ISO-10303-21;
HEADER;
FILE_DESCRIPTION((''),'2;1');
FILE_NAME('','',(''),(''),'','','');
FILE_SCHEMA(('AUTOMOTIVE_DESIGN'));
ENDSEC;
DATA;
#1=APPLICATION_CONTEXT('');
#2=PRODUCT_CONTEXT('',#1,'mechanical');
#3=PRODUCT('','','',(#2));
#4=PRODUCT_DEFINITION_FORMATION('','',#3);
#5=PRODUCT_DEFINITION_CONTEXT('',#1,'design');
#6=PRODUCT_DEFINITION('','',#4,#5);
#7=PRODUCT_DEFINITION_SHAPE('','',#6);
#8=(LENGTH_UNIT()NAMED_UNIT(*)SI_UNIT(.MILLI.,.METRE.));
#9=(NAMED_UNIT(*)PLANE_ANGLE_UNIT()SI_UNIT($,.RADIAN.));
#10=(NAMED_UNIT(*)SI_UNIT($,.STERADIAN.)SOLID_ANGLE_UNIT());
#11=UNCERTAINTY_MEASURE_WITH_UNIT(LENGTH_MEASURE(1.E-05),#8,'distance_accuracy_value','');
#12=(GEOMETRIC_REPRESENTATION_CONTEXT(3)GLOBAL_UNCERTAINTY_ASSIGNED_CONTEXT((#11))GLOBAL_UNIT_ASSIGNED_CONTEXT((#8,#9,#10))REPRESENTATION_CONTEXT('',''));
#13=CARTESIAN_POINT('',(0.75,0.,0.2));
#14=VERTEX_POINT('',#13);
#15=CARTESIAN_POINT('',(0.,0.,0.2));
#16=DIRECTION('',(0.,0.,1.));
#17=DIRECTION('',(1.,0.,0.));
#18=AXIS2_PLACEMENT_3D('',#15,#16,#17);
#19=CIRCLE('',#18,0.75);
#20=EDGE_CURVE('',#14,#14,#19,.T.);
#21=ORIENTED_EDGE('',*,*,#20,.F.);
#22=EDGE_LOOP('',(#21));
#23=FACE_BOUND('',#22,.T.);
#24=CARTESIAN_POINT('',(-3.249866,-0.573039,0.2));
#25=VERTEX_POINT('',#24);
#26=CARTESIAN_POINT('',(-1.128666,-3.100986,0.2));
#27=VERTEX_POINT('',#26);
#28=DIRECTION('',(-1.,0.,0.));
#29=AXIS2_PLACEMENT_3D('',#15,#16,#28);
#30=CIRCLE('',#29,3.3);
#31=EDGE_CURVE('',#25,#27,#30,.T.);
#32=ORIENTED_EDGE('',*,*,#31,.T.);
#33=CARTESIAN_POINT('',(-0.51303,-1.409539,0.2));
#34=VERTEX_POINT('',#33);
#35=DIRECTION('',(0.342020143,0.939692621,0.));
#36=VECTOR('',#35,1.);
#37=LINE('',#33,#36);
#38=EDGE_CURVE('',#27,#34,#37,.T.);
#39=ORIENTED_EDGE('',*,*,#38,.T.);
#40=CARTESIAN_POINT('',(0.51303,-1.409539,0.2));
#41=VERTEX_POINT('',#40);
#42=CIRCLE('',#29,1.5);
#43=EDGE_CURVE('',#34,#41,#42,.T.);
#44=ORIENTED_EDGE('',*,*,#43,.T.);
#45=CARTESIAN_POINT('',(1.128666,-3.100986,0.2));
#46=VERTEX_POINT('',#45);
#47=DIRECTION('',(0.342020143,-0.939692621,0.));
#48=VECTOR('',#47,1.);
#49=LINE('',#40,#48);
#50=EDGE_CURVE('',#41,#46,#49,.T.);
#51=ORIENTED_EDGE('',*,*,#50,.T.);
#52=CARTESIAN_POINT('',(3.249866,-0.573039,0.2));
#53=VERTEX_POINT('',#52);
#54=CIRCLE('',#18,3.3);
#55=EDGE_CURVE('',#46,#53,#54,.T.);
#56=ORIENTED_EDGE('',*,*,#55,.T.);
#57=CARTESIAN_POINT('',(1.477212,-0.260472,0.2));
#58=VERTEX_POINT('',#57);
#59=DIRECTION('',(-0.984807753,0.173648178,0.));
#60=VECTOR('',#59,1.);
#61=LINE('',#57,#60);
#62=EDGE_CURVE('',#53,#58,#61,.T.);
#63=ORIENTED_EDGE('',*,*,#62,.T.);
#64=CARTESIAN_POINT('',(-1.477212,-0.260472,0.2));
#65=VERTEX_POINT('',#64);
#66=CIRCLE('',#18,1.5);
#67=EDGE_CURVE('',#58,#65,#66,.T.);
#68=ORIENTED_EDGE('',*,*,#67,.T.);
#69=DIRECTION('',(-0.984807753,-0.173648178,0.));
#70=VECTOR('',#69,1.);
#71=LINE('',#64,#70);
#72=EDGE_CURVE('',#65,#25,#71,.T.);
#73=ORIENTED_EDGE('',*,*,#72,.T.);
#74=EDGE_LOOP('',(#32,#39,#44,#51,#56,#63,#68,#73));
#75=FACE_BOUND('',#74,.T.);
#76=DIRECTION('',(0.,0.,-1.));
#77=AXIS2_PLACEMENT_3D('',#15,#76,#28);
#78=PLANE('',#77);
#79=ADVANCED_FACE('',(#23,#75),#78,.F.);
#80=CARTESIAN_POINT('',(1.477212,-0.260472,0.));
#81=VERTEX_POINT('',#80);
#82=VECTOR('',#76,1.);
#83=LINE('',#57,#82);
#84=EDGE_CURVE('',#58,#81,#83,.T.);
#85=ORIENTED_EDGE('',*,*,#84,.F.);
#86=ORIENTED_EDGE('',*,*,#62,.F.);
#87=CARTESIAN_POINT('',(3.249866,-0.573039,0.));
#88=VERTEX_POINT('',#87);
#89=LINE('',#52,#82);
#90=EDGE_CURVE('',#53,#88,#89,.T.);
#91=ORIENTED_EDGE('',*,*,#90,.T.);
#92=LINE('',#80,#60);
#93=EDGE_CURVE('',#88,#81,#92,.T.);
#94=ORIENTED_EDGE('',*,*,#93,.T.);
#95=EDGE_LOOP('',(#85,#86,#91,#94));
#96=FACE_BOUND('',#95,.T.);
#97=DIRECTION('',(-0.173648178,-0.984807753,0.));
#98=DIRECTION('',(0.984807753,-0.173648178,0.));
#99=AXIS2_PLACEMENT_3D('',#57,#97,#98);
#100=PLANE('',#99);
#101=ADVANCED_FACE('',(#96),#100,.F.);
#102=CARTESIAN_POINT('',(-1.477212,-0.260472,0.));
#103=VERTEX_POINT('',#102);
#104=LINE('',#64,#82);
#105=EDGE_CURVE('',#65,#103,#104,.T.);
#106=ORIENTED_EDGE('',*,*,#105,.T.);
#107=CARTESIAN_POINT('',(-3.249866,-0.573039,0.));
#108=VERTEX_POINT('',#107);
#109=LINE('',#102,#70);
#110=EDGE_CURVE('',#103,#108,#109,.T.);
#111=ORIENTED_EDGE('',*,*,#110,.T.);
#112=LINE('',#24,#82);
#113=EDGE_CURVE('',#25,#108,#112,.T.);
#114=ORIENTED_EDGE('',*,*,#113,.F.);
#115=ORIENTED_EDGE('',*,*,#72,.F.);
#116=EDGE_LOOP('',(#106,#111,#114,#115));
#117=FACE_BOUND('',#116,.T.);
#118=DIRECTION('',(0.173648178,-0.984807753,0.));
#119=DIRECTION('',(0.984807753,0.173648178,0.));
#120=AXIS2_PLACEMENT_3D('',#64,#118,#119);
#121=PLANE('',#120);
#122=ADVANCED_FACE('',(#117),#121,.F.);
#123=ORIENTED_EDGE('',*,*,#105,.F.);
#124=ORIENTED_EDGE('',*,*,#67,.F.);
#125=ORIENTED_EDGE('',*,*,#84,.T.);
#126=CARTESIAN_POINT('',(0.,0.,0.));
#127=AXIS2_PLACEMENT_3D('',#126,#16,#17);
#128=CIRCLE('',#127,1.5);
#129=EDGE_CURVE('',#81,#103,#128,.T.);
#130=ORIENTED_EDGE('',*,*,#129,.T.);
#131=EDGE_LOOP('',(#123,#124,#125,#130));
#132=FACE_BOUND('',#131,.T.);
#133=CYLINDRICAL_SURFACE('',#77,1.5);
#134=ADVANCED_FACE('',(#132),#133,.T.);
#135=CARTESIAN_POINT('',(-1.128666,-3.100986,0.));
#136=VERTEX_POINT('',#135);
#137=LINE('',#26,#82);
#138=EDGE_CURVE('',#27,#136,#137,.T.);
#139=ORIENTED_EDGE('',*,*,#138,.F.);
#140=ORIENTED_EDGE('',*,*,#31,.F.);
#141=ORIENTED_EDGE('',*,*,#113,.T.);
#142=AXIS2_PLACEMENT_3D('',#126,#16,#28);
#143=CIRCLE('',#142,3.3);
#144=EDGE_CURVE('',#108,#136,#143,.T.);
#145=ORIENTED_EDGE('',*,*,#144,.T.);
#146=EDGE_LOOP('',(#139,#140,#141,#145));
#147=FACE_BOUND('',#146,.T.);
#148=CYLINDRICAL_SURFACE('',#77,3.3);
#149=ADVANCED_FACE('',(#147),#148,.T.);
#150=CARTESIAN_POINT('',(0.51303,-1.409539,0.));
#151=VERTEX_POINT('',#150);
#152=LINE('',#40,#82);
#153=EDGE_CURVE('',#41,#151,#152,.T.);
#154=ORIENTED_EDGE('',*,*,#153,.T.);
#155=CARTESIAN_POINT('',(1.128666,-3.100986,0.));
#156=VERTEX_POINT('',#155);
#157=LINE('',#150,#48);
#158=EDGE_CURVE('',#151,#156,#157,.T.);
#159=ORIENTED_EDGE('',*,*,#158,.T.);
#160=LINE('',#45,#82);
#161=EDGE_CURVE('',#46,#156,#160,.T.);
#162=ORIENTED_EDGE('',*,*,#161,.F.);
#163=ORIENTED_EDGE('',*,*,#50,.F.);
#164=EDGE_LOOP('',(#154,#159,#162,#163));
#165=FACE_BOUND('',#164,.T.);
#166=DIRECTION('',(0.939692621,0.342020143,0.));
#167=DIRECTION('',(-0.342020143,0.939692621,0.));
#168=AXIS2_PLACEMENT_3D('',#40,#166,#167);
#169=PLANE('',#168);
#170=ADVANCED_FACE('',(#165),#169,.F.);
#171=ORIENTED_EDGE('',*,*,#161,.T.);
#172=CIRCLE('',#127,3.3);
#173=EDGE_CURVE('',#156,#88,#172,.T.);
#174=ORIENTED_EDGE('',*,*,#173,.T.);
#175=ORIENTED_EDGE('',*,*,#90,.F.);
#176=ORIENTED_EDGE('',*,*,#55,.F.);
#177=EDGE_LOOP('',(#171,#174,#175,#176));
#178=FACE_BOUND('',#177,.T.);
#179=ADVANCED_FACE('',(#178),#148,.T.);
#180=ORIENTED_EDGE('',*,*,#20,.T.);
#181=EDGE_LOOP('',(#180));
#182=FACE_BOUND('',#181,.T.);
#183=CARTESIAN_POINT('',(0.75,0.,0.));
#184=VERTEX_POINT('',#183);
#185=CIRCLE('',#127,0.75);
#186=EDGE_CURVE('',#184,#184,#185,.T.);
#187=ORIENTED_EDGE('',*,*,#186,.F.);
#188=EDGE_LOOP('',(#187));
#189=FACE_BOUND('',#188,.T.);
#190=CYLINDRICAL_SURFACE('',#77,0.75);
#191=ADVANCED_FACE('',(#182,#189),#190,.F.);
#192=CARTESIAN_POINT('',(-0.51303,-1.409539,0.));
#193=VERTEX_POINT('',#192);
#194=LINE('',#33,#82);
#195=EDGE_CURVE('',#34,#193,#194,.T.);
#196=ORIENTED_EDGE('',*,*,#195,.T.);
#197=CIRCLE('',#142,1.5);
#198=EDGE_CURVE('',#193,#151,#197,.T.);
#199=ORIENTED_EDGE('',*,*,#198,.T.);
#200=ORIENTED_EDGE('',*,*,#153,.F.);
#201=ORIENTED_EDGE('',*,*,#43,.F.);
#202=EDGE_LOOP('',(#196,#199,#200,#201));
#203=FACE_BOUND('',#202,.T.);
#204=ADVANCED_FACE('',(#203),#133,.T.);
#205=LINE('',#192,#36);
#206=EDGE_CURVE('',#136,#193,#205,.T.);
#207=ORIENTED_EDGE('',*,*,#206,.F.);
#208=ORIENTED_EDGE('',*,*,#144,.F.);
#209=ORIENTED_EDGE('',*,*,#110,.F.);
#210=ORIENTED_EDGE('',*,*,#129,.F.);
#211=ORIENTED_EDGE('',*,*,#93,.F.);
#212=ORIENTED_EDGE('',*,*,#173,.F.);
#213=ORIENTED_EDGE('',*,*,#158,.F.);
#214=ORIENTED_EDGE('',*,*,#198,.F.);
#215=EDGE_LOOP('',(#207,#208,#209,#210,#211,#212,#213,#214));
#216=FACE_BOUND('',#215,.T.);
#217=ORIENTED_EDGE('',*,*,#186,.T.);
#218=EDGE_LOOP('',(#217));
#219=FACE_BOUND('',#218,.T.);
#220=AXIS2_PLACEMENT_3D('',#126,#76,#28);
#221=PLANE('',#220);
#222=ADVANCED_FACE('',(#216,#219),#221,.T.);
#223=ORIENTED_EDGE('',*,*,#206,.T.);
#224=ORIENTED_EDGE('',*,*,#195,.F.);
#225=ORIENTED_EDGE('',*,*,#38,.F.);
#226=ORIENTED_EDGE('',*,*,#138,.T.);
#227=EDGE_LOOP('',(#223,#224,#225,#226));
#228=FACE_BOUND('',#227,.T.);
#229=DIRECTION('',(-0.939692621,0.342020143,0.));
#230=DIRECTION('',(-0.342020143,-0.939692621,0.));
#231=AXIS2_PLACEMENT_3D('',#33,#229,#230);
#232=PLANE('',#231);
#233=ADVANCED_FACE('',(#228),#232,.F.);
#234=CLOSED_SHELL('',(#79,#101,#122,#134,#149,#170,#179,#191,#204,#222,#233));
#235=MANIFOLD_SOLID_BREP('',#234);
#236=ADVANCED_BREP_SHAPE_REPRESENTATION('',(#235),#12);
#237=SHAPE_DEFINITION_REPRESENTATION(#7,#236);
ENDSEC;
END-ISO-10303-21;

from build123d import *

# Parameters (mm, degrees)
SKETCH1_R           = 0.75
BOSS_EXTRUDE1_DEPTH = 0.2


with BuildPart() as part:
    # Sketch1 → Boss-Extrude1 (new body)
    with BuildSketch(Plane.XY):
        with BuildLine():
            Line((-0.513030215, -1.409538931), (-1.128666473, -3.100985649))
            ThreePointArc((-1.128666473, -3.100985649), (-2.527946662, -2.121199112), (-3.249865585, -0.573038986))
            Line((-3.249865585, -0.573038986), (-1.47721163, -0.260472267))
            ThreePointArc((-1.47721163, -0.260472267), (0, 1.5), (1.47721163, -0.260472267))
            Line((1.47721163, -0.260472267), (3.249865585, -0.573038986))
            ThreePointArc((3.249865585, -0.573038986), (2.527946662, -2.121199112), (1.128666473, -3.100985649))
            Line((1.128666473, -3.100985649), (0.513030215, -1.409538931))
            ThreePointArc((0.513030215, -1.409538931), (0, -1.5), (-0.513030215, -1.409538931))
        make_face()
        Circle(SKETCH1_R, mode=Mode.SUBTRACT)
    extrude(amount=BOSS_EXTRUDE1_DEPTH)


solid = part.part
